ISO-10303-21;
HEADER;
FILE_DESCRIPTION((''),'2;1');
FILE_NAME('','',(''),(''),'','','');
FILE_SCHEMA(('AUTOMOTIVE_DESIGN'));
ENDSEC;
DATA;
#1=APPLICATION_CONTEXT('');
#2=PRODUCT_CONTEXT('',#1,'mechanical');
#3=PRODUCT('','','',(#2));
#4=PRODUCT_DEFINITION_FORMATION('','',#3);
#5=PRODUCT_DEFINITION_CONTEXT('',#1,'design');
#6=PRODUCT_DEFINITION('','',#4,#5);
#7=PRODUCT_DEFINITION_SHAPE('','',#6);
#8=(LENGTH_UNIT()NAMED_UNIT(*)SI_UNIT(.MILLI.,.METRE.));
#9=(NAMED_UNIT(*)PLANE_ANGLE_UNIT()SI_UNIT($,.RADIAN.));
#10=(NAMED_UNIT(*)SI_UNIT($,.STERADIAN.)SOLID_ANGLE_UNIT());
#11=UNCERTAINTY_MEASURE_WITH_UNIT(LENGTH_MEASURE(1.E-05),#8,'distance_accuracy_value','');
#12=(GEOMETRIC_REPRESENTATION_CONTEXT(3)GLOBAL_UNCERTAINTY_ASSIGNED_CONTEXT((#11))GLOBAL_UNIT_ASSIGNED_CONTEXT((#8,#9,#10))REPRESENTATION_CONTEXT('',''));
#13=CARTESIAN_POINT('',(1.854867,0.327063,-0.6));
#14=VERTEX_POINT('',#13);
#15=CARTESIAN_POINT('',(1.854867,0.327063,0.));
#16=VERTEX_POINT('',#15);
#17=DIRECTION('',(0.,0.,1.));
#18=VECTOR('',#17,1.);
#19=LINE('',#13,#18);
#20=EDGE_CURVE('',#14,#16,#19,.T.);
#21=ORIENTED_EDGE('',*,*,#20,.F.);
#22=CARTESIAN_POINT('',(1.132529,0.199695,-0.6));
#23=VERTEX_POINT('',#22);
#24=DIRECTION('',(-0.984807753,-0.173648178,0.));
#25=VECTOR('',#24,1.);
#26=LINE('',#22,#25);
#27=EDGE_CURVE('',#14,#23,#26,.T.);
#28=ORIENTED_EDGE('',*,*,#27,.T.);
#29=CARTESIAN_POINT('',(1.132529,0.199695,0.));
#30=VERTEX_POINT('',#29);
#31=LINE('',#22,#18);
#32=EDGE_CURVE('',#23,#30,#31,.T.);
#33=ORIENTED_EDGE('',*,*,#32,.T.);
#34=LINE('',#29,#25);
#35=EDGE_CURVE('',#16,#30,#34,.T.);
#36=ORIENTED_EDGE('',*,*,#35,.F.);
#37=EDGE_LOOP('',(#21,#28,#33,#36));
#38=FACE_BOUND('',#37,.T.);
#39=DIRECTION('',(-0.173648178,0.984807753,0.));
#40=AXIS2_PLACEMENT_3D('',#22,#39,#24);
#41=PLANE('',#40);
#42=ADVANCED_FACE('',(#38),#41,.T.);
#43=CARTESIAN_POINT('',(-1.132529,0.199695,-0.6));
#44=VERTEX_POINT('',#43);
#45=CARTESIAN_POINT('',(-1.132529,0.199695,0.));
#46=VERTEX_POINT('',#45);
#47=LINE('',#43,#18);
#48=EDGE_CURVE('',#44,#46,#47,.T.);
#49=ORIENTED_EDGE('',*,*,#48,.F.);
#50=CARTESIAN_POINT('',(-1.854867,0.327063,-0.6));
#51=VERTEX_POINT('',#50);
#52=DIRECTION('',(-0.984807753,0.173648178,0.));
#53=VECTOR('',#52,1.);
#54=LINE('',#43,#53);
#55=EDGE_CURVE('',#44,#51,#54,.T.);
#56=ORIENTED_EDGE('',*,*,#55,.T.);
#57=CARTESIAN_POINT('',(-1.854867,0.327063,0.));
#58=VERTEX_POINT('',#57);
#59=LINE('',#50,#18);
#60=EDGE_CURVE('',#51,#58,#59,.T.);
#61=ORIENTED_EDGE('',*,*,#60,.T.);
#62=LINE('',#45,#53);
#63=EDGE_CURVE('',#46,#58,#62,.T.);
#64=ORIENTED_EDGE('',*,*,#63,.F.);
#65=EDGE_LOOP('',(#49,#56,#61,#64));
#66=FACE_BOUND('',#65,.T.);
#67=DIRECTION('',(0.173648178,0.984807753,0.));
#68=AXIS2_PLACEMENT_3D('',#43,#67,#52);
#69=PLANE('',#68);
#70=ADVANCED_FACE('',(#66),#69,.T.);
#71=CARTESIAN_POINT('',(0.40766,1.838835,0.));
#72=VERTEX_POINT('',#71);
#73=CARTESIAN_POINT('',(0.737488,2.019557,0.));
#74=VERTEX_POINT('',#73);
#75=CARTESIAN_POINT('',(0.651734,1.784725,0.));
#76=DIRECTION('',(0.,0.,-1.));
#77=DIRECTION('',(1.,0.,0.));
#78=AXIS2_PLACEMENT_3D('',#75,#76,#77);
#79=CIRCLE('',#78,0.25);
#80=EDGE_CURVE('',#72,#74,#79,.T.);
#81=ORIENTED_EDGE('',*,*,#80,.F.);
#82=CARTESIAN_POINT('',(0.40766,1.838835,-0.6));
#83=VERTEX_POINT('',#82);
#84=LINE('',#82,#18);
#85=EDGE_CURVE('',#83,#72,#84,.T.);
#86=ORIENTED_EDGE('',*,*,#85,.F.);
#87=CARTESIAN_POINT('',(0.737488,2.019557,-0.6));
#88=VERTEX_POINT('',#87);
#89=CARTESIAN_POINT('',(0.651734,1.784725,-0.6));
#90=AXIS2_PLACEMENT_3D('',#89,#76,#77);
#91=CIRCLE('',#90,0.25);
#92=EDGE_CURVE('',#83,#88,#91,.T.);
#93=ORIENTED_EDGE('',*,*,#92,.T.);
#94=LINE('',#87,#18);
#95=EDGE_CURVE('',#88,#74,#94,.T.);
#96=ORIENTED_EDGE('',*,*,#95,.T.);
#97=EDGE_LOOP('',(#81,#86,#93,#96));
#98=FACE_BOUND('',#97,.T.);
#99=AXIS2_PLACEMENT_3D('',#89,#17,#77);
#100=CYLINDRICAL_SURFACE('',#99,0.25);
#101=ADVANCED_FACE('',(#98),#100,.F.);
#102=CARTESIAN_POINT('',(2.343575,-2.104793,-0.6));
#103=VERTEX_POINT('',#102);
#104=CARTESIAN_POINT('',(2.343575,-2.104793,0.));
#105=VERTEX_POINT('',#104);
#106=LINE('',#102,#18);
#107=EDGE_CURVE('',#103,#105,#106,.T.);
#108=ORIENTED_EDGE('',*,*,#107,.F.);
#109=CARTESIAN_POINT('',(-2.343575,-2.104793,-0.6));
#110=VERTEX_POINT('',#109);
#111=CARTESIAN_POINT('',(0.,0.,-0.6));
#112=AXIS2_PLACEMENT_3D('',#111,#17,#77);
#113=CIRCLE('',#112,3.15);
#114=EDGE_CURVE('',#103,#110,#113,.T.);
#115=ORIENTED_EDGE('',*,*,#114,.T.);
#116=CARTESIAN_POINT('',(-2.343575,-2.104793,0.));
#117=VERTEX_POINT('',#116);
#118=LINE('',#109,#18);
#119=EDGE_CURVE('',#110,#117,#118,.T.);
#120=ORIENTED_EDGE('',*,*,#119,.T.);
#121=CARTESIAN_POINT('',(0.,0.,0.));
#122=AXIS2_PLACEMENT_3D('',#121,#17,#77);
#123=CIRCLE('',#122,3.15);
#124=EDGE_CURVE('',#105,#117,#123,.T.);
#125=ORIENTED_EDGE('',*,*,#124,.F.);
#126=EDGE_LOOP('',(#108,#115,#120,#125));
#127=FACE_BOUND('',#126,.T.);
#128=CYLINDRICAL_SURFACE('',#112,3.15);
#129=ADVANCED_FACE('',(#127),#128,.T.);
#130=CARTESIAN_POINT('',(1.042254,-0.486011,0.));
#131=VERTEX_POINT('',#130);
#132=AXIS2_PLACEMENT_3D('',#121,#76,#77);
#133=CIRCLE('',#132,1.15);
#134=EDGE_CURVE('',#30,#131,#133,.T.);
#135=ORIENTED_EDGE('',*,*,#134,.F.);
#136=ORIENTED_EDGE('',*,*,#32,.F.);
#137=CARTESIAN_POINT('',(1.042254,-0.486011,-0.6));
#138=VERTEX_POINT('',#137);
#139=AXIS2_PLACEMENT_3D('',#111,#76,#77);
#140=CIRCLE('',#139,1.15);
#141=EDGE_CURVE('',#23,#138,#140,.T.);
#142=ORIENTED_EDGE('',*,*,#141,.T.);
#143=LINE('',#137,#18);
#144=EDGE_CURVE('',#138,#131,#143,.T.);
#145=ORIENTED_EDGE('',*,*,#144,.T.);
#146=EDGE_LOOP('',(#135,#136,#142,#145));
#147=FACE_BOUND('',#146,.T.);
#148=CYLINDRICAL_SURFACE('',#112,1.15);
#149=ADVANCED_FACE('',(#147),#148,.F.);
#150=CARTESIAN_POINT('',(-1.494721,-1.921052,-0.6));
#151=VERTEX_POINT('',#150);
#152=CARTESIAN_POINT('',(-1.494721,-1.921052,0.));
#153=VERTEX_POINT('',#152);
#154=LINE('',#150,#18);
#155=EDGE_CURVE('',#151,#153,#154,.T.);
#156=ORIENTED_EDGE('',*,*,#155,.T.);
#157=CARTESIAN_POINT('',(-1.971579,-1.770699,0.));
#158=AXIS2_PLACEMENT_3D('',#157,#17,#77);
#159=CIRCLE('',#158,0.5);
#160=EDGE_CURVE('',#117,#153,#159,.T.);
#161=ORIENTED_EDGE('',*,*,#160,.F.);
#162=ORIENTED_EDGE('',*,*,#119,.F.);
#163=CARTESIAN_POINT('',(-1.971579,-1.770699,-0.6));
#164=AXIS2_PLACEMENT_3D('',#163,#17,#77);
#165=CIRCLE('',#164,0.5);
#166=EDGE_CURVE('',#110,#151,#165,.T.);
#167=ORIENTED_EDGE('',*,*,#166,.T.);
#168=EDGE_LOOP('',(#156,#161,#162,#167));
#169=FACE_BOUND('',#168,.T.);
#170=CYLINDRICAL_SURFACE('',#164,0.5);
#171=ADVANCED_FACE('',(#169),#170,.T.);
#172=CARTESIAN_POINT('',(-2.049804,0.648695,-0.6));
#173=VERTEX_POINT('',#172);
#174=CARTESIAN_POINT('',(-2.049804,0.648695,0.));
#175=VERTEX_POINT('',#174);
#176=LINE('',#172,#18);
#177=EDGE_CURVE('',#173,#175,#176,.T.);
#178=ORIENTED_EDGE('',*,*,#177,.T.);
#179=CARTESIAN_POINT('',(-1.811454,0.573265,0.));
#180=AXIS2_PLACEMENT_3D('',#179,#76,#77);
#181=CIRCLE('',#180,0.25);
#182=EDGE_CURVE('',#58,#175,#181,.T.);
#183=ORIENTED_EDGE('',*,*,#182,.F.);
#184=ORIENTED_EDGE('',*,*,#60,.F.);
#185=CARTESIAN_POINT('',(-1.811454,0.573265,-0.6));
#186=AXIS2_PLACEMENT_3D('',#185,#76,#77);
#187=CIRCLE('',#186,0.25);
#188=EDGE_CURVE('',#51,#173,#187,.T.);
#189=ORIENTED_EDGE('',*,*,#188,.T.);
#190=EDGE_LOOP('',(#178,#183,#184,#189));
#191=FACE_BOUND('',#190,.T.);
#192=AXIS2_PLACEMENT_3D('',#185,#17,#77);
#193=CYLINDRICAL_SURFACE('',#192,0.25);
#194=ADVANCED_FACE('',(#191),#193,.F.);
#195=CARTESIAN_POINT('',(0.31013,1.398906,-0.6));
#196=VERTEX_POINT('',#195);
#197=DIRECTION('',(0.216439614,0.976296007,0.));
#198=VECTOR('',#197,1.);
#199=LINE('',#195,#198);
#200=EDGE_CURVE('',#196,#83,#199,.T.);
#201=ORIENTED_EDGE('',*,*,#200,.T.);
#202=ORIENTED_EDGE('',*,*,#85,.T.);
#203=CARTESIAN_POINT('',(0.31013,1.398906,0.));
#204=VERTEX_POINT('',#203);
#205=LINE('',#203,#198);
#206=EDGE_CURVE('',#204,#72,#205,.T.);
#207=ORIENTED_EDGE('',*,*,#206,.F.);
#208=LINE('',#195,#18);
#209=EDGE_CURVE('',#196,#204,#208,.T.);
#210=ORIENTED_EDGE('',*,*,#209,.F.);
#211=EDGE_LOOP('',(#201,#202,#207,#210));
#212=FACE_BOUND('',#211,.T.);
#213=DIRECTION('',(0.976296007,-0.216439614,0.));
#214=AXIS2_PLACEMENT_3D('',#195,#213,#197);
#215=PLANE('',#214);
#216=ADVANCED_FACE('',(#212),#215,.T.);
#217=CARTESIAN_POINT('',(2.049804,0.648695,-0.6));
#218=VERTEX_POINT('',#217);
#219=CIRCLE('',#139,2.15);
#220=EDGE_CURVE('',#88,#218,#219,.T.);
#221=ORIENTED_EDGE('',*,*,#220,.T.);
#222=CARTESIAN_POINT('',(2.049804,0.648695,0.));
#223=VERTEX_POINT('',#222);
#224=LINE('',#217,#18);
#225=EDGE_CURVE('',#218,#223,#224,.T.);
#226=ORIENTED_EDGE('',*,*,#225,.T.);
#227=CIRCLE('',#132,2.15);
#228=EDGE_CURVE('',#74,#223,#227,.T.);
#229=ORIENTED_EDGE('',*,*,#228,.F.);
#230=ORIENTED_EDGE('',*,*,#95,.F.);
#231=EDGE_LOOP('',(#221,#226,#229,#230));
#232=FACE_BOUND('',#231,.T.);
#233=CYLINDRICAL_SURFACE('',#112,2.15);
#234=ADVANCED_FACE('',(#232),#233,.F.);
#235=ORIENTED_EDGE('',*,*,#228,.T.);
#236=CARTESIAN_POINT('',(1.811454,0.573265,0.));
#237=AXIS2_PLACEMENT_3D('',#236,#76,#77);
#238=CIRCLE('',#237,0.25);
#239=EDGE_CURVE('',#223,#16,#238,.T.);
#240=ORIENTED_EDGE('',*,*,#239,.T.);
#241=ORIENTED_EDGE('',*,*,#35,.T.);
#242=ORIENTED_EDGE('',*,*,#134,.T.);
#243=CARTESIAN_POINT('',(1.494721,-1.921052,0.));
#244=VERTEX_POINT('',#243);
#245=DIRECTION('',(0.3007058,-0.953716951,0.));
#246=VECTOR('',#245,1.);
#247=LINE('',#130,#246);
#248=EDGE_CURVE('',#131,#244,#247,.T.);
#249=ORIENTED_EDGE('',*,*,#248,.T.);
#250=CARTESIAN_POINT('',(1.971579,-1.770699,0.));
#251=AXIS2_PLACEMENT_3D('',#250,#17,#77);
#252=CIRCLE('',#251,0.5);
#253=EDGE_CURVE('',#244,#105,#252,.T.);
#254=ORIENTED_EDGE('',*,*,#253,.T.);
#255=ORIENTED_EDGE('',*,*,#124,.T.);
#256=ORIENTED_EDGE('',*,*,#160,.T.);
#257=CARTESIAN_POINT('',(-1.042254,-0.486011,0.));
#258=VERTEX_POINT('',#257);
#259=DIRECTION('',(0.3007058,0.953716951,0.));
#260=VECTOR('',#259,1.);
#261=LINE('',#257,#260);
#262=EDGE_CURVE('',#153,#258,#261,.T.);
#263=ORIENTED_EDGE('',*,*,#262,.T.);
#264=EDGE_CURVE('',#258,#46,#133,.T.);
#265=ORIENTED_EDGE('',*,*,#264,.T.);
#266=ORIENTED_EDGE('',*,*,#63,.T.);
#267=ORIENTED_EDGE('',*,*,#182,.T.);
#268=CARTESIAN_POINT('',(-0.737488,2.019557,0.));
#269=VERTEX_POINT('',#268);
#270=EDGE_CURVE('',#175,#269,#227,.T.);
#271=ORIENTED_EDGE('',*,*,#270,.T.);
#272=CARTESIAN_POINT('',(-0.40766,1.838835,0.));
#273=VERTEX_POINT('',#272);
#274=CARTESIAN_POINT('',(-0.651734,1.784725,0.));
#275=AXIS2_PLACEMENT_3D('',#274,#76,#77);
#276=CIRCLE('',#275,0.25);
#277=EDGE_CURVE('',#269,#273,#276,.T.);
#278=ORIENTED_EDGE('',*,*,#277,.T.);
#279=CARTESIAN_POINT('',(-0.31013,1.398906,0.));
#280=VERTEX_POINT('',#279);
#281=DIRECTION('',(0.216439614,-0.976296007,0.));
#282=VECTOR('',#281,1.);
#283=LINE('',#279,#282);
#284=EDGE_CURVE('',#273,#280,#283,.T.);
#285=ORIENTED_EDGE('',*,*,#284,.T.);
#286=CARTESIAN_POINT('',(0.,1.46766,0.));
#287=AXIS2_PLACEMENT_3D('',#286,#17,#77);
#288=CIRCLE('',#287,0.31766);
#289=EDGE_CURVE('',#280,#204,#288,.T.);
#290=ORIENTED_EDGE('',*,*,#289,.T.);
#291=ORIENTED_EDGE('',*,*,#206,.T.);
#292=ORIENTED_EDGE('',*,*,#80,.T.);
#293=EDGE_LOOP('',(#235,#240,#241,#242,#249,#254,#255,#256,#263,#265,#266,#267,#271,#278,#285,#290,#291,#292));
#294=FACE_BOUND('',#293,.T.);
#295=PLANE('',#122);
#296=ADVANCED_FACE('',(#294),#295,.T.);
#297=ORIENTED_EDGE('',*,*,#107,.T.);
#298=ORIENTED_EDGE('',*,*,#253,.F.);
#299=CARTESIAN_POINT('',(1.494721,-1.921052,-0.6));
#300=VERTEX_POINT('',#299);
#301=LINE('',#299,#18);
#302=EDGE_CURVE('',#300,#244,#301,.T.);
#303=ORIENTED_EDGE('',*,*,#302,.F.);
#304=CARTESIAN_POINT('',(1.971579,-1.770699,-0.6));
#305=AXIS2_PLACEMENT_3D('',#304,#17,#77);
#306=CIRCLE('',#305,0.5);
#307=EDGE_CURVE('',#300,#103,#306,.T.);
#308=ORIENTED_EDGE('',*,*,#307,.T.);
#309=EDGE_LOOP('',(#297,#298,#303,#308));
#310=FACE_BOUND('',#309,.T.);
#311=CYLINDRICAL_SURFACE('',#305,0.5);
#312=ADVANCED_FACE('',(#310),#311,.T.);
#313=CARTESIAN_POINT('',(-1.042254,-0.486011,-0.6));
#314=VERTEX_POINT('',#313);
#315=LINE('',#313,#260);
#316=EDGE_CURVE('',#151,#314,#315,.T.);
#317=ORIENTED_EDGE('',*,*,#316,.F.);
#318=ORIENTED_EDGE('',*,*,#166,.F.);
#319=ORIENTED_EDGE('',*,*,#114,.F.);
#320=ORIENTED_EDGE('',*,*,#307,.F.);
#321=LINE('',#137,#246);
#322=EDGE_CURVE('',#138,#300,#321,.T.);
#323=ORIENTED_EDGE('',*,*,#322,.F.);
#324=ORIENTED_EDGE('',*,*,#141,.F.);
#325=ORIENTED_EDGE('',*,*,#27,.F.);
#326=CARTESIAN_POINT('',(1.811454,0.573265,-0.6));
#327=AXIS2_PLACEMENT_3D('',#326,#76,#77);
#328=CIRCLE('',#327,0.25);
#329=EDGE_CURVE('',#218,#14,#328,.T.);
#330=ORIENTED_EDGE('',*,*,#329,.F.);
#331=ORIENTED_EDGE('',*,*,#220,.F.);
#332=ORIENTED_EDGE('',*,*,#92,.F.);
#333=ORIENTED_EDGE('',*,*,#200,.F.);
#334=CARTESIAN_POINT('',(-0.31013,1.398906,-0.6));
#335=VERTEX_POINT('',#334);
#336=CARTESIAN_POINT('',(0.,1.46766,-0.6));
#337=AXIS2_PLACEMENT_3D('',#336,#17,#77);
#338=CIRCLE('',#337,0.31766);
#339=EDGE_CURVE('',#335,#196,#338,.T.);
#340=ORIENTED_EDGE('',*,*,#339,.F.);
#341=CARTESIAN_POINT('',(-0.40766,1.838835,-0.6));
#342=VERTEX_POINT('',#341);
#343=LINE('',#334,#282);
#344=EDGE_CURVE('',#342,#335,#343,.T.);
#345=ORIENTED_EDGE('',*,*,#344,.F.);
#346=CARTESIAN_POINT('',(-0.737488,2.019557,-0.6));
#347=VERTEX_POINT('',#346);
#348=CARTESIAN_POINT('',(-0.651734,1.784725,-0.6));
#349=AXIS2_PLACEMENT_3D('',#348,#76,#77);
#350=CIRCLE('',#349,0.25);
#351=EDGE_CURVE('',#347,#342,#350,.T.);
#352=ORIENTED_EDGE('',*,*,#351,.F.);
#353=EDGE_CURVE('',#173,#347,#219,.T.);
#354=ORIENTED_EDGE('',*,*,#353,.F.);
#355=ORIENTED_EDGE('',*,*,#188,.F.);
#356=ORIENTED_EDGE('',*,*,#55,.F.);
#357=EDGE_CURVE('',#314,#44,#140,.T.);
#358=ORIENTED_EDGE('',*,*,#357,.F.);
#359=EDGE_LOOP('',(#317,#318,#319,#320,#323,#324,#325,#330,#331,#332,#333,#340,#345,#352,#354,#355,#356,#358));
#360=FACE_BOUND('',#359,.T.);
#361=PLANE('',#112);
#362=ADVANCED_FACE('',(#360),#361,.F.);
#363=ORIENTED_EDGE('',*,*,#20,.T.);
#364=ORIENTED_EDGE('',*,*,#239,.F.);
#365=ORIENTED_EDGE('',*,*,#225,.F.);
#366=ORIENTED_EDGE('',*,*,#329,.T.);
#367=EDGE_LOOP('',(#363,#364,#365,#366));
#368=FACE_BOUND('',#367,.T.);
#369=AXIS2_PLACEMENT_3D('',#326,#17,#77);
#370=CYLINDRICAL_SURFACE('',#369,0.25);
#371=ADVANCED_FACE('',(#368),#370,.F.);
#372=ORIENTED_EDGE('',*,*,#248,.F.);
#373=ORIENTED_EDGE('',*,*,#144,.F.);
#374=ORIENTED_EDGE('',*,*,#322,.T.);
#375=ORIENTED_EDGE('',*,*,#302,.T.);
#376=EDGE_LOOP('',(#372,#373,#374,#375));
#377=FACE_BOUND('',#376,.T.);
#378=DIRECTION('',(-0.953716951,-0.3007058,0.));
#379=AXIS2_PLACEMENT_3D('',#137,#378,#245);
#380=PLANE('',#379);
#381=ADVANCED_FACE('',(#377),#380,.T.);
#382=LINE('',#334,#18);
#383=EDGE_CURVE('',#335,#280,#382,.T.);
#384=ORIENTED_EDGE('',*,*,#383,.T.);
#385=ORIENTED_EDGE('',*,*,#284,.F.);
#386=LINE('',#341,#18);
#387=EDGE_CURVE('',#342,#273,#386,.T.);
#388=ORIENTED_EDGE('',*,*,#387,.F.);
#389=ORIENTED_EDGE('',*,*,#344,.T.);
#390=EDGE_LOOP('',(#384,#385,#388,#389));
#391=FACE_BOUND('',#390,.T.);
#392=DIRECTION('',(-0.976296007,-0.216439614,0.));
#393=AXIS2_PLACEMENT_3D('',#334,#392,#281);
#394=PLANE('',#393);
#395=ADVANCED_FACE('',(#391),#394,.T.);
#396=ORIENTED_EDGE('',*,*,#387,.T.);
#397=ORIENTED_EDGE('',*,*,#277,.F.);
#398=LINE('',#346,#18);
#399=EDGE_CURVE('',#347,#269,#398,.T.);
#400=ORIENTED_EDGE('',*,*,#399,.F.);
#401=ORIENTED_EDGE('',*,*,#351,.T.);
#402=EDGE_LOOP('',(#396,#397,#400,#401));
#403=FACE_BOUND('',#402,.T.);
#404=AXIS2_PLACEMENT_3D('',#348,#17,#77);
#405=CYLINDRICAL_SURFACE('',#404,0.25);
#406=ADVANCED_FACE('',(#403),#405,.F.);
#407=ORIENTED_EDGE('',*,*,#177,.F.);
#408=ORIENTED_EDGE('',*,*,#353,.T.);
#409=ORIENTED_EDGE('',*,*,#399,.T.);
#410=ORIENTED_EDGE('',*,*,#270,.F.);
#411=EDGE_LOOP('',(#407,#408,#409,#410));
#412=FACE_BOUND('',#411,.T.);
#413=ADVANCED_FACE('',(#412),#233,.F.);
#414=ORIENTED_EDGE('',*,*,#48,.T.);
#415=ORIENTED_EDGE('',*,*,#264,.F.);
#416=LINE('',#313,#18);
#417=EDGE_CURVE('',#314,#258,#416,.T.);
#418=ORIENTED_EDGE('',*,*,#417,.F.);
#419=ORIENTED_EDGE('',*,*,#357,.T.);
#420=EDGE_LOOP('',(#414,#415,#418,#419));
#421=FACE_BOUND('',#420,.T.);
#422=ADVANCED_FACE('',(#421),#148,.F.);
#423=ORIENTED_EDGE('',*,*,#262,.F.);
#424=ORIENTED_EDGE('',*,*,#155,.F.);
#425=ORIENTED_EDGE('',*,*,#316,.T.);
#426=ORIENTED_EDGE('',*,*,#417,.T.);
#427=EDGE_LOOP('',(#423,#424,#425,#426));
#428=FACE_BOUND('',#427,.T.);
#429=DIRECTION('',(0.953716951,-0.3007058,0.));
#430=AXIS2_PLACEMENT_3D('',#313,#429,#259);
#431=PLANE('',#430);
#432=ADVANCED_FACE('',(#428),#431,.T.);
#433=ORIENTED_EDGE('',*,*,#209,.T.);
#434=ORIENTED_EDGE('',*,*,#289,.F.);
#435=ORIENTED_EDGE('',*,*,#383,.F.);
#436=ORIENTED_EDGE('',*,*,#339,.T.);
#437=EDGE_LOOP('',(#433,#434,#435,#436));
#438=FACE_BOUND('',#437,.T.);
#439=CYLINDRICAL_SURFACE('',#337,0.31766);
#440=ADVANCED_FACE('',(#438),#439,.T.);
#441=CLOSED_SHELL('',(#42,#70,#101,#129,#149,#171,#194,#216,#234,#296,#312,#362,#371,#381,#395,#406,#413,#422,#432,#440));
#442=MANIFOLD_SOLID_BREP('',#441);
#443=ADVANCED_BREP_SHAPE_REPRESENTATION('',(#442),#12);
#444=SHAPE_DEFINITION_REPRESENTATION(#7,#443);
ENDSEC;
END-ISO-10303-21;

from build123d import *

# Parameters (mm, degrees)
BODY_DEPTH = 0.6


with BuildPart() as part:
    # BodySke → Body (new body)
    with BuildSketch(Plane.XY):
        with BuildLine():
            Line((1.132528916, 0.199695404), (1.854866514, 0.327063012))
            ThreePointArc((1.854866514, 0.327063012), (2.025251269, 0.443685134), (2.049803742, 0.648694549))
            ThreePointArc((2.049803742, 0.648694549), (1.553082518, 1.48675307), (0.737488319, 2.019557125))
            ThreePointArc((0.737488319, 2.019557125), (0.531603064, 2.003970405), (0.407659862, 1.838834804))
            Line((0.407659862, 1.838834804), (0.310129895, 1.398905556))
            ThreePointArc((0.310129895, 1.398905556), (0, 1.15), (-0.310129895, 1.398905556))
            Line((-0.310129895, 1.398905556), (-0.407659862, 1.838834804))
            ThreePointArc((-0.407659862, 1.838834804), (-0.531603064, 2.003970405), (-0.737488319, 2.019557125))
            ThreePointArc((-0.737488319, 2.019557125), (-1.553082518, 1.48675307), (-2.049803742, 0.648694549))
            ThreePointArc((-2.049803742, 0.648694549), (-2.025251269, 0.443685134), (-1.854866514, 0.327063012))
            Line((-1.854866514, 0.327063012), (-1.132528916, 0.199695404))
            ThreePointArc((-1.132528916, 0.199695404), (-1.140161591, -0.150105121), (-1.042253955, -0.486011001))
            Line((-1.042253955, -0.486011001), (-1.494720675, -1.921052099))
            ThreePointArc((-1.494720675, -1.921052099), (-1.865799916, -2.25938187), (-2.343575217, -2.104793387))
            ThreePointArc((-2.343575217, -2.104793387), (0, 3.15), (2.343575217, -2.104793387))
            ThreePointArc((2.343575217, -2.104793387), (1.865799916, -2.25938187), (1.494720675, -1.921052099))
            Line((1.494720675, -1.921052099), (1.042253955, -0.486011001))
            ThreePointArc((1.042253955, -0.486011001), (1.140161591, -0.150105121), (1.132528916, 0.199695404))
        make_face()
    extrude(amount=-BODY_DEPTH)


solid = part.part
